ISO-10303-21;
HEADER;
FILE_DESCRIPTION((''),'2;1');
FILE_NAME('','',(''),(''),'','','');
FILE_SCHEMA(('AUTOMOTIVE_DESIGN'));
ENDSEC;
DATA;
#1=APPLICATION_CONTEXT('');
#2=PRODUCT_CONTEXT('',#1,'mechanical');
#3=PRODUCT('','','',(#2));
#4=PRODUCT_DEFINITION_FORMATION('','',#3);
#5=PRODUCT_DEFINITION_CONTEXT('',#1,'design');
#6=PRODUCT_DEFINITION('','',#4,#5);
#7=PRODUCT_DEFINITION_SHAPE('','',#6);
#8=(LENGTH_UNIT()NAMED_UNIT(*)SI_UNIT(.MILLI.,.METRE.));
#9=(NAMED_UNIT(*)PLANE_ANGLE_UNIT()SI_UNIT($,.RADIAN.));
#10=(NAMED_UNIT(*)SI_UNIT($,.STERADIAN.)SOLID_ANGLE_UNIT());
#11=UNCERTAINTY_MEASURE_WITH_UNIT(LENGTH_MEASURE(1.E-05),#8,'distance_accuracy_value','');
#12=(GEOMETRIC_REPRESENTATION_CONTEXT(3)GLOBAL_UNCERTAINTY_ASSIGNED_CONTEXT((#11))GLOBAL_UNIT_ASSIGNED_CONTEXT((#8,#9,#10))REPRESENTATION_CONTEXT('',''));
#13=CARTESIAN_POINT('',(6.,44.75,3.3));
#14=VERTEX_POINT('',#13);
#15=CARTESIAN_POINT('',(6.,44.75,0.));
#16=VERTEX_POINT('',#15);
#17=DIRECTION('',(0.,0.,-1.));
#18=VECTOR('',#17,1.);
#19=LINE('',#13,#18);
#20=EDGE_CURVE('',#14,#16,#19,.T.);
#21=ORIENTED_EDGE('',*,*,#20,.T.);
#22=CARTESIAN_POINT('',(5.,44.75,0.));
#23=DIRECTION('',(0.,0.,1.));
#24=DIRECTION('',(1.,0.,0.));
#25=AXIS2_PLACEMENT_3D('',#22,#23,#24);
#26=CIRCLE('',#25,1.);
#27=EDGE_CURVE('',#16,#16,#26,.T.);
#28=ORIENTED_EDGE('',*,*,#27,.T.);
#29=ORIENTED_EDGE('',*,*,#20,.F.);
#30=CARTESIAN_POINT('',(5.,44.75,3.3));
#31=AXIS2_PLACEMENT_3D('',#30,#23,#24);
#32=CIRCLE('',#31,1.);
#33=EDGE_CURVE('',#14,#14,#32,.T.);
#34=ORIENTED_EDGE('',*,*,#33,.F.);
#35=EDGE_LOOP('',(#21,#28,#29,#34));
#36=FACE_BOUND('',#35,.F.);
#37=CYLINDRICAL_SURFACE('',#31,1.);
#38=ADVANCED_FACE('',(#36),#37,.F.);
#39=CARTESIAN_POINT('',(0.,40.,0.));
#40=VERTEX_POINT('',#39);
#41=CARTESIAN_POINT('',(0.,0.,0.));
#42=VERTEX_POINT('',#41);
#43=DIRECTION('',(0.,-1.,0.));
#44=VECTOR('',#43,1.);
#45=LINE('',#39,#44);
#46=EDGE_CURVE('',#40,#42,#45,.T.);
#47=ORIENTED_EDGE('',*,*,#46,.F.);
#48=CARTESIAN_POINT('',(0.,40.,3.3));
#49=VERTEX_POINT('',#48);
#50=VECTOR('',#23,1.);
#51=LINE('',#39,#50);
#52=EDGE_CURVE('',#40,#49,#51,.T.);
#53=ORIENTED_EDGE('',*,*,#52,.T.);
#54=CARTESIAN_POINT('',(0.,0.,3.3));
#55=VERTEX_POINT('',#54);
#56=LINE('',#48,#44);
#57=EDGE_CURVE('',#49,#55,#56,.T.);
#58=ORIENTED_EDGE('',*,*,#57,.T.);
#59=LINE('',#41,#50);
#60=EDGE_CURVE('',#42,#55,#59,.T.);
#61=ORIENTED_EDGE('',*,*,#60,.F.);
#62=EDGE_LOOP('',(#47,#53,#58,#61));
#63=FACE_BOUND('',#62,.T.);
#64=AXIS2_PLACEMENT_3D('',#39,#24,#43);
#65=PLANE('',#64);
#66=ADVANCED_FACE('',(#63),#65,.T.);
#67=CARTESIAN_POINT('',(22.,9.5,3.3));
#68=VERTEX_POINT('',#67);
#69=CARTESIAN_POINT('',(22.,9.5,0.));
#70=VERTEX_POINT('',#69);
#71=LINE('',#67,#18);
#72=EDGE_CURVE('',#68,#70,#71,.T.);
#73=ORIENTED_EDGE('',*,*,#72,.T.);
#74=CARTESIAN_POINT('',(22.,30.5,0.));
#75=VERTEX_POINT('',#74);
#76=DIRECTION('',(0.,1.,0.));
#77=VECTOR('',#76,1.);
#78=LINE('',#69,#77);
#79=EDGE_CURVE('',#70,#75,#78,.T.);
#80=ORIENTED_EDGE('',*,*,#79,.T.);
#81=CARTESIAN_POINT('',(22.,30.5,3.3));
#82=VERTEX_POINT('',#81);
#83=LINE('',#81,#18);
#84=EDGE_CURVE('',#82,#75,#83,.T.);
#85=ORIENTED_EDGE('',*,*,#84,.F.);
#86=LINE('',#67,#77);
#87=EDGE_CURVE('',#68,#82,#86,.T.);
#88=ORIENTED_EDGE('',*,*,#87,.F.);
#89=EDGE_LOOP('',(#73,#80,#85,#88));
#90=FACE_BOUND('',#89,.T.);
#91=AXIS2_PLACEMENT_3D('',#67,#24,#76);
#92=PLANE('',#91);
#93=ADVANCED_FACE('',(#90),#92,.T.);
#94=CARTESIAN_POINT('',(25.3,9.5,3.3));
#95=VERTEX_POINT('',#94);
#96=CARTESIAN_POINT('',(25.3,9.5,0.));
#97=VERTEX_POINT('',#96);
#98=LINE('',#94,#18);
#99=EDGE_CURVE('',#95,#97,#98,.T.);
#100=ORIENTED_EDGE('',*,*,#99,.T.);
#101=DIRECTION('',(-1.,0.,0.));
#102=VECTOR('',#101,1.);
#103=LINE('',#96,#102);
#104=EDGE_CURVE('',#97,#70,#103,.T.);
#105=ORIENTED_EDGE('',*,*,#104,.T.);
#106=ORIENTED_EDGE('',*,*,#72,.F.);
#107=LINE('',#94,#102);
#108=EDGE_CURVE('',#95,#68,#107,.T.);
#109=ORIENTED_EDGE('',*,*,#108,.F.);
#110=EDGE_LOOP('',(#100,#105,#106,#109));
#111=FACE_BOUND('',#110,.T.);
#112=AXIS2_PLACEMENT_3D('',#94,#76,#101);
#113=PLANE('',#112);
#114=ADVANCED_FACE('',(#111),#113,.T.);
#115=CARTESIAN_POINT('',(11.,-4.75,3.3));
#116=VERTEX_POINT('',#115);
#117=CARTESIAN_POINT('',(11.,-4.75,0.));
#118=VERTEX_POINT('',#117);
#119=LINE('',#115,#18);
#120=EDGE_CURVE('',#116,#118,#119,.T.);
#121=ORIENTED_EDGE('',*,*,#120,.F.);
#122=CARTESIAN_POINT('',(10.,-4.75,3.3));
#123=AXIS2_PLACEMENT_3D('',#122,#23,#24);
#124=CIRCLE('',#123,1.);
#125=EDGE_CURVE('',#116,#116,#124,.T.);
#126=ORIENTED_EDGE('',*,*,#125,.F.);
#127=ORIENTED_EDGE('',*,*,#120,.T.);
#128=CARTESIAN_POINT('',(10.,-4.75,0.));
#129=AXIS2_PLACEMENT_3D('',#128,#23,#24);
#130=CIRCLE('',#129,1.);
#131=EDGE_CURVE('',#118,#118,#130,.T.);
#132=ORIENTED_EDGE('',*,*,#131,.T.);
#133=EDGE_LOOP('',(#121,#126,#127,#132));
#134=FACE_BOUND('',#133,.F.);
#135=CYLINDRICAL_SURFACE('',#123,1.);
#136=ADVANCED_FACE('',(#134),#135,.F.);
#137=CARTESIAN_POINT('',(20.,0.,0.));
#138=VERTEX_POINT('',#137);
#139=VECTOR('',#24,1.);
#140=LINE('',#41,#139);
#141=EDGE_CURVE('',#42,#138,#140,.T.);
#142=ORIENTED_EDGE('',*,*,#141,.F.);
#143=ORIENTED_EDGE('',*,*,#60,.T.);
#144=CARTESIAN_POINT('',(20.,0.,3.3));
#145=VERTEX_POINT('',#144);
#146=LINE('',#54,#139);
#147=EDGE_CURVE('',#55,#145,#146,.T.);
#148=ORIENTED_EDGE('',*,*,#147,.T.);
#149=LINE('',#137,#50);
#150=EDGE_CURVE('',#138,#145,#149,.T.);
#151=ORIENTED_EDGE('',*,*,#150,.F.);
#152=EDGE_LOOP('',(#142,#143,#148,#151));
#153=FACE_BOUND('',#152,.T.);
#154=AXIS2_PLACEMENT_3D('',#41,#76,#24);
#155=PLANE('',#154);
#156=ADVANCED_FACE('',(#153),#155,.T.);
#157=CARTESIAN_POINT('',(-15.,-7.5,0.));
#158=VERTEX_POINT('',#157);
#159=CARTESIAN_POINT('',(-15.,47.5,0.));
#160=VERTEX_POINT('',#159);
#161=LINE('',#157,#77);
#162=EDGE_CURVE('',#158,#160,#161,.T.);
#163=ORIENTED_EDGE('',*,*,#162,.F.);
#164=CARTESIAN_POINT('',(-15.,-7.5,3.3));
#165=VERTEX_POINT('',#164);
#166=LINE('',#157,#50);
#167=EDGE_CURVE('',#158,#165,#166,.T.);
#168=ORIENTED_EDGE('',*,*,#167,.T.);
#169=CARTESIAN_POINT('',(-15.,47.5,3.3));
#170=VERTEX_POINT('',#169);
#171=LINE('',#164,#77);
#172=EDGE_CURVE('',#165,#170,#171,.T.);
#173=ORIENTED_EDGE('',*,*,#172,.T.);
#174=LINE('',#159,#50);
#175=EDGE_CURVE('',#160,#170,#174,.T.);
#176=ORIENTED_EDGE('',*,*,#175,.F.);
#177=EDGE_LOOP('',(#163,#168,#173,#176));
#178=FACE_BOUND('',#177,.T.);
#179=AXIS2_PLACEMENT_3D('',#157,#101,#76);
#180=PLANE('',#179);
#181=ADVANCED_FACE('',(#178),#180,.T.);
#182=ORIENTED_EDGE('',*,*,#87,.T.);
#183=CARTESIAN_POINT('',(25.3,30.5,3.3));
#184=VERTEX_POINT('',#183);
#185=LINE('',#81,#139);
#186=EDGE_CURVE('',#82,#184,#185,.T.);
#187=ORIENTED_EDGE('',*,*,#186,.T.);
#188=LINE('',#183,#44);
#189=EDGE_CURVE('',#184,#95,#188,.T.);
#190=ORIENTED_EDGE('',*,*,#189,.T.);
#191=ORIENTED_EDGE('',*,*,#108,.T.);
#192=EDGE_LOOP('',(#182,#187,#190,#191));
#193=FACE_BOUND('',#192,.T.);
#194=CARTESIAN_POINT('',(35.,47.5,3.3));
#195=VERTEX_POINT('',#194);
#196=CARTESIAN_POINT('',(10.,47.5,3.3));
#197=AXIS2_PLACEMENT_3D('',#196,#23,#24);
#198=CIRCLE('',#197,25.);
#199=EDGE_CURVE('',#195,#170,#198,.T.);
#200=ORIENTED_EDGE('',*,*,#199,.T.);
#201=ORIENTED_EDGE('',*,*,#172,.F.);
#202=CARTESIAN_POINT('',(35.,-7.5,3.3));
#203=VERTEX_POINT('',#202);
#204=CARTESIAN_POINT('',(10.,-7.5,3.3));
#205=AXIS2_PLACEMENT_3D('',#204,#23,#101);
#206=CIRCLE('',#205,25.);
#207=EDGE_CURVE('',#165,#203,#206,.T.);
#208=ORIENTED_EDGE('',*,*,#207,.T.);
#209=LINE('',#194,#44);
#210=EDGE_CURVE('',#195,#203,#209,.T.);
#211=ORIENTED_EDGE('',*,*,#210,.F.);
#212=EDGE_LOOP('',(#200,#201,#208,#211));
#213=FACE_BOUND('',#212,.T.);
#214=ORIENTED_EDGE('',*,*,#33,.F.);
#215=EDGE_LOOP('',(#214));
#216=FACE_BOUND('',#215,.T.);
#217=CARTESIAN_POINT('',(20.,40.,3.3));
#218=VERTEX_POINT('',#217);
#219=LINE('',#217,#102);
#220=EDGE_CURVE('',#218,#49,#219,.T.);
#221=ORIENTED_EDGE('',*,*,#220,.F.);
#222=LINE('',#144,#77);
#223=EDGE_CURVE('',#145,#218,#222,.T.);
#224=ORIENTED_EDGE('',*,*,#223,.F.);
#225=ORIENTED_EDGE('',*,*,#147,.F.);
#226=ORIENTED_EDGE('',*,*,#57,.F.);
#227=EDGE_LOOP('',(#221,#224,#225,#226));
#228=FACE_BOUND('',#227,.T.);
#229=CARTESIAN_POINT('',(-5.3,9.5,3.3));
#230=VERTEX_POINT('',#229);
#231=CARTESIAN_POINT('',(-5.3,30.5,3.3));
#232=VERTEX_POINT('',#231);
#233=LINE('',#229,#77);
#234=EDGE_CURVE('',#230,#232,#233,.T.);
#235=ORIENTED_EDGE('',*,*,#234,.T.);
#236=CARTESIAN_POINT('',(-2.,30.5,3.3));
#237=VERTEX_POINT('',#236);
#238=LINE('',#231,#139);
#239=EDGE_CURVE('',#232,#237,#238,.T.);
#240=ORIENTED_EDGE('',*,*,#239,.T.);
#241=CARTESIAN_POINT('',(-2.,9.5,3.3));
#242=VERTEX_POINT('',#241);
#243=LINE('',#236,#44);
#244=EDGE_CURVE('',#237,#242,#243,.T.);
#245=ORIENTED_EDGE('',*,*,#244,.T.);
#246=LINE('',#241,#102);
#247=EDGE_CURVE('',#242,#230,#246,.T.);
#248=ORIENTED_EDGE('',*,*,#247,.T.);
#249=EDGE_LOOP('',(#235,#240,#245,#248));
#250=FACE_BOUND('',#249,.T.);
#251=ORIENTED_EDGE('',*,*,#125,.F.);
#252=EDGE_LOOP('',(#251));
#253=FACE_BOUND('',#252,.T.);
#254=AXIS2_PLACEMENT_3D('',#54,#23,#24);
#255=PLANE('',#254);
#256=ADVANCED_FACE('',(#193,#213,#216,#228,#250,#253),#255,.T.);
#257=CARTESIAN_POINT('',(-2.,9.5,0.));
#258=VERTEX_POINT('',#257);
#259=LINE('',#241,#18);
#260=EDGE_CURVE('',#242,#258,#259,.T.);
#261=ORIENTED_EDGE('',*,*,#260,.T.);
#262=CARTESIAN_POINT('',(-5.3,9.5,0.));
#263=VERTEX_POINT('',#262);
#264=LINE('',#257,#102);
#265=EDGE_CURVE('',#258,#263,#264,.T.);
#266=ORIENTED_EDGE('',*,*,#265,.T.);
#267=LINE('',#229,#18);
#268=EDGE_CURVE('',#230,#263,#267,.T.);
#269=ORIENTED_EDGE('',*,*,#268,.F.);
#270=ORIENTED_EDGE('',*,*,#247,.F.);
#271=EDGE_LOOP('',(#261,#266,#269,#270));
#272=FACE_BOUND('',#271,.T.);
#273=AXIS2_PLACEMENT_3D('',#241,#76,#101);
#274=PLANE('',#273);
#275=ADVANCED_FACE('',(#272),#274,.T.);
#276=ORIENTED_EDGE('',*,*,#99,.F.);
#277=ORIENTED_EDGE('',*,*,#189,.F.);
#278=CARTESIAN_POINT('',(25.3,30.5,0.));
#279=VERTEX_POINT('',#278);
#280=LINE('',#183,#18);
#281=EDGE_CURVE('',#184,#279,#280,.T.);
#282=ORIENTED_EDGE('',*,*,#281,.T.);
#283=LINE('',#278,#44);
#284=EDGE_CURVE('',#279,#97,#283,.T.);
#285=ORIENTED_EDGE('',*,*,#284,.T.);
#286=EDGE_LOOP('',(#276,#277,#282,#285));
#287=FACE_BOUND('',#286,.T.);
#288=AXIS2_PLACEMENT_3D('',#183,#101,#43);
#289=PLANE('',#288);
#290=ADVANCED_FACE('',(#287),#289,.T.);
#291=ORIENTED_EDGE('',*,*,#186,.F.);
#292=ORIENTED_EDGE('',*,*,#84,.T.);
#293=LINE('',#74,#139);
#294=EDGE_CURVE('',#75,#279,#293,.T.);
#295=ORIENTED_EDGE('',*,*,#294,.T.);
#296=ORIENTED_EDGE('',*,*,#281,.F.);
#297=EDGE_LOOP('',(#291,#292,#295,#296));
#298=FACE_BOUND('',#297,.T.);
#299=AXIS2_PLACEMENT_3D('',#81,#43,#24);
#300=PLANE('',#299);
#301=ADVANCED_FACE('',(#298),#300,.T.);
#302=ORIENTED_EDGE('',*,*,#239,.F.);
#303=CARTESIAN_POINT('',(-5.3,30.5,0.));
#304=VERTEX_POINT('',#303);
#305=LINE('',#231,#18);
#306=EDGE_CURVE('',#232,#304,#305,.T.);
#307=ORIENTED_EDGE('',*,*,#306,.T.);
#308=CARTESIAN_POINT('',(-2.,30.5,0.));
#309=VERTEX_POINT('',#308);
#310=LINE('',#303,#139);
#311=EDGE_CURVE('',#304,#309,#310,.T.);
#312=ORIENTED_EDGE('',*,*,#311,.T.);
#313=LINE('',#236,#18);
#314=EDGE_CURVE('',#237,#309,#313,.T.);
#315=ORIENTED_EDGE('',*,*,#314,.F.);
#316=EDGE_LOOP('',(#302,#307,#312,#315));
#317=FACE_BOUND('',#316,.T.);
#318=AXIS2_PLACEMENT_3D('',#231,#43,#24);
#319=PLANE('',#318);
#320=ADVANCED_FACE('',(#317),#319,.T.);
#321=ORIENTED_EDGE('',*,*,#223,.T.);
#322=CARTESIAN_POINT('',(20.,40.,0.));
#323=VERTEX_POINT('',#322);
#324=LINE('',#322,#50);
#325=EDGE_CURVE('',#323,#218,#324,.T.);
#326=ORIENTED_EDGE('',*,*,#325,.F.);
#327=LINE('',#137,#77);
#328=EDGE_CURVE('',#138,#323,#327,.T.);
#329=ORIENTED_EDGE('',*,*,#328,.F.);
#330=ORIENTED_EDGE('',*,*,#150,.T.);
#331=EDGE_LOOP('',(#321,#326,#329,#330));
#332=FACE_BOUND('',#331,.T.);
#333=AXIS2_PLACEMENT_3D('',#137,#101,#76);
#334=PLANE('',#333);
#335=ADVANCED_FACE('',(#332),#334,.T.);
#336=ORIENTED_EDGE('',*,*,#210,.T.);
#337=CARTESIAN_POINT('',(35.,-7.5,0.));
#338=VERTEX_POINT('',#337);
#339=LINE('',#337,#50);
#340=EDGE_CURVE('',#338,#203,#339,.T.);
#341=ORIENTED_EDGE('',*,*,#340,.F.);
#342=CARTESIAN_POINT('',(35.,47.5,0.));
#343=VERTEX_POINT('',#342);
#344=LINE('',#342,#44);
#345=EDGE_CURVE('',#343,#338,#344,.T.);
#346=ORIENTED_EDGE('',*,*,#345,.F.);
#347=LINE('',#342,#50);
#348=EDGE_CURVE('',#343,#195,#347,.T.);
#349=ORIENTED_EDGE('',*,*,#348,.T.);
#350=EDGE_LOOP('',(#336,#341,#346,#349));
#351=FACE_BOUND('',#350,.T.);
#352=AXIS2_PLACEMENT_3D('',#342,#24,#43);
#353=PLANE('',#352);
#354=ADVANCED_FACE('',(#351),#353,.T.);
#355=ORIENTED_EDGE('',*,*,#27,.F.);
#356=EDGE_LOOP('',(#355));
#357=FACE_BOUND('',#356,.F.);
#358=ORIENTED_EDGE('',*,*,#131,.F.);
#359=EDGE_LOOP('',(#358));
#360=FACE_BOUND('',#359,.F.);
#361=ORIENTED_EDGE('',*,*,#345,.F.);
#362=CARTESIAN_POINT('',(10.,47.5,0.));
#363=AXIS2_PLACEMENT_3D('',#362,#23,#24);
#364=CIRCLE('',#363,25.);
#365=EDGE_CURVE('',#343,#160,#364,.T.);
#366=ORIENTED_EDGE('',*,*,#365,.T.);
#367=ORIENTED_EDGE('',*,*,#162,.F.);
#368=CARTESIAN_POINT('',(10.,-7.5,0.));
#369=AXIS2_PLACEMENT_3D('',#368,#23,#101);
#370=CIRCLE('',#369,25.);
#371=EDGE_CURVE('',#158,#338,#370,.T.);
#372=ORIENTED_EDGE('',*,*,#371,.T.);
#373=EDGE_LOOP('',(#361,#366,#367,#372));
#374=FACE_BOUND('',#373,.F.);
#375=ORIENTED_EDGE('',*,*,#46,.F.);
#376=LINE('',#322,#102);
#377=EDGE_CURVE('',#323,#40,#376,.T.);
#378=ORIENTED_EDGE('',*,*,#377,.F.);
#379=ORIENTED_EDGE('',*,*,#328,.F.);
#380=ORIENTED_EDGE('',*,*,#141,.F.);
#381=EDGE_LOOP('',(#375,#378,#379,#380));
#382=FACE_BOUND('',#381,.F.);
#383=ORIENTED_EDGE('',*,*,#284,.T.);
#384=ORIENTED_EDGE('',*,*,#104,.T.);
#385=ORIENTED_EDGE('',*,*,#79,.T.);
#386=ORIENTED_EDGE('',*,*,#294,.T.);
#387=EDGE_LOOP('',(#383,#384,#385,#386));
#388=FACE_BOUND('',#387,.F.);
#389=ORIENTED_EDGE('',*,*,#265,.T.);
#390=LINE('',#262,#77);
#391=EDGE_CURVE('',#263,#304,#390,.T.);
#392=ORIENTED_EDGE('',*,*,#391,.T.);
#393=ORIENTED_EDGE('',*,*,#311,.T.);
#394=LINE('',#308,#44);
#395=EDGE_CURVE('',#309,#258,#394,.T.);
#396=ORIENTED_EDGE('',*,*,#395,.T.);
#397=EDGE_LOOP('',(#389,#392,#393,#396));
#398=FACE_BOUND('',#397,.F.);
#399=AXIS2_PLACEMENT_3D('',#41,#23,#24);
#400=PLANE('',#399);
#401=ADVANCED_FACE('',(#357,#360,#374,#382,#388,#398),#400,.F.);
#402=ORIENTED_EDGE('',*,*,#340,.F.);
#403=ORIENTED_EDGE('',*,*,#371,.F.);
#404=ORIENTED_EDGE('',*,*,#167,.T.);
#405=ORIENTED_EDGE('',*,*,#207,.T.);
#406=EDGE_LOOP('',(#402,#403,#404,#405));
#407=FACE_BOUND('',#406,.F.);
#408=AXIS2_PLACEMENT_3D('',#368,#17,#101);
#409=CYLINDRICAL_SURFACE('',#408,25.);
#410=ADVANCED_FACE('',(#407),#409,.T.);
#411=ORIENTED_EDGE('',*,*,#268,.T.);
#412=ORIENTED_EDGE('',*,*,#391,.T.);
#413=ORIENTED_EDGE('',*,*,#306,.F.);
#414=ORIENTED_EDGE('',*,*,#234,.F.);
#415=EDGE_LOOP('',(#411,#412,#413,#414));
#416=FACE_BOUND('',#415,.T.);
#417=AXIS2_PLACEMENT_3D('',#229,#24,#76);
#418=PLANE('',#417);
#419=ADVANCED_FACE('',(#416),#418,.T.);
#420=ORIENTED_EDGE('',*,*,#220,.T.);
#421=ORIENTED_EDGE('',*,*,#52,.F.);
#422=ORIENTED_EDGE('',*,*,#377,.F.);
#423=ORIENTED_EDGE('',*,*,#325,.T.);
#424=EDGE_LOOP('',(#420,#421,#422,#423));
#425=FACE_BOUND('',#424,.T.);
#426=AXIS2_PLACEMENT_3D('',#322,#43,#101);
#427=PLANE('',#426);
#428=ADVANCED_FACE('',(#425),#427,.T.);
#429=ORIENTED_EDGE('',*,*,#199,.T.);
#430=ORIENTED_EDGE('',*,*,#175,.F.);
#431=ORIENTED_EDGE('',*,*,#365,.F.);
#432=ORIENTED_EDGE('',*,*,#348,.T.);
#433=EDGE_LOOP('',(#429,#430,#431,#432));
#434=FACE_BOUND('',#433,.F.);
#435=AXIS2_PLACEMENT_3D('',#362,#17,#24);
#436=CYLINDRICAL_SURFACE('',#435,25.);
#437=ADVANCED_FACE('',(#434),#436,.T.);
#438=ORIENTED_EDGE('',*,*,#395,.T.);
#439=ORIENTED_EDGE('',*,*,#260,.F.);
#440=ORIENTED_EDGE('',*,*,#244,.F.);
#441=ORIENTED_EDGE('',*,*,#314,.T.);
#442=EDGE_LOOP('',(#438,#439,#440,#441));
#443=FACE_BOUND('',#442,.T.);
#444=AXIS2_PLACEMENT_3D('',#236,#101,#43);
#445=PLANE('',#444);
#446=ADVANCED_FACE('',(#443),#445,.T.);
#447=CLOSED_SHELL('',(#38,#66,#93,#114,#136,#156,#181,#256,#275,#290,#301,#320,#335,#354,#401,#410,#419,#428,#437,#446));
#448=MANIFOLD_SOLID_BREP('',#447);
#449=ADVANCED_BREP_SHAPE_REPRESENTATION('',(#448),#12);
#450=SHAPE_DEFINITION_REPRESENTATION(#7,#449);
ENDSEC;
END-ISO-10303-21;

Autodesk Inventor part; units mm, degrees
ref_plane "YZ Plane" through (0, 0, 0) normal (1, 0, 0) x (0, 1, 0)
ref_plane "XZ Plane" through (0, 0, 0) normal (0, 1, 0) x (-1, 0, 0)
ref_plane "XY Plane" through (0, 0, 0) normal (0, 0, 1) x (1, 0, 0)
sketch "Sketch1" plane through (0, 0, 0) normal (0, 0, 1) x (1, 0, 0)
  line L0 (0, 0) -> (20, 0)
  line L1 (20, 0) -> (20, 40)
  line L2 (20, 40) -> (0, 40)
  line L3 (0, 40) -> (0, 0)
  line L4 (-15, -7.5) -> (-15, 47.5)
  line L5 (35, 47.5) -> (35, -7.5)
  arc A0 (35, 47.5) -> (-15, 47.5) centre (10, 47.5) ccw
  arc A1 (-15, -7.5) -> (35, -7.5) centre (10, -7.5) ccw
  dimension "base_servo" = 20
  dimension "altura_servo" = 40
  dimension "d2" = 15
  dimension "d3" = 15
  dimension "d4" = 55
  dimension "d5" = 55
  dimension "d9" = 7.5
extrude "Extrusion1" add sketch "Sketch1" along normal blind 3.3
sketch "Sketch2" plane through (0, 0, 3.3) normal (0, 0, 1) x (1, 0, 0)
  line L0 (22, 30.5) -> (25.3, 30.5)
  line L1 (25.3, 30.5) -> (25.3, 9.5)
  line L2 (25.3, 9.5) -> (22, 9.5)
  line L3 (22, 9.5) -> (22, 30.5)
  line L4 (-5.3, 30.5) -> (-2, 30.5)
  line L5 (-2, 30.5) -> (-2, 9.5)
  line L6 (-2, 9.5) -> (-5.3, 9.5)
  line L7 (-5.3, 9.5) -> (-5.3, 30.5)
  line L8 (0, 0) -> (0, 40) projected
  line L9 (20, 40) -> (20, 0) projected
  dimension "d12" = 3.3
  dimension "d13" = 3.3
  dimension "d14" = 21
  dimension "d16" = 9.5
  dimension "d17" = 2
  dimension "d18" = 2
extrude "Extrusion2" cut sketch "Sketch2" against normal blind 3.3
sketch "Sketch3" plane through (0, 0, 3.3) normal (0, 0, 1) x (1, 0, 0)
  circle A0 centre (5, 44.75) radius 1
  line L0 (0, 40) -> (20, 40) projected
  circle A1 centre (10, -4.75) radius 1
  line L1 (20, 0) -> (0, 0) projected
  circle A2 centre (15, 44.75) radius 1
  dimension "agujero_servo" = 2
  dimension "distancia_agujero_servo" = 4.75
  dimension "d23" = 5
  dimension "d24" = 10
  dimension "d25" = 4.75
  dimension "d28" = 4.75
  dimension "d29" = 10
extrude "Extrusion3" cut sketch "Sketch3" against normal blind 3.3 contours A0 | A1
equation "\"d3\" = d2"
equation "\"d5\" = d4"
equation "\"d9\" = 0.5 * d4 - 0.5 * altura_servo"
equation "\"d10\" = d12"
equation "\"d13\" = d12"
equation "\"d16\" = 0.5 * altura_servo - 0.5 * d14"
equation "\"d18\" = d17"
equation "\"d19\" = d12"
equation "\"d23\" = 0.25 * base_servo"
equation "\"d24\" = 0.5 * base_servo"
equation "\"d25\" = distancia_agujero_servo"
equation "\"d28\" = distancia_agujero_servo"
properties part number "soporte servo base"
